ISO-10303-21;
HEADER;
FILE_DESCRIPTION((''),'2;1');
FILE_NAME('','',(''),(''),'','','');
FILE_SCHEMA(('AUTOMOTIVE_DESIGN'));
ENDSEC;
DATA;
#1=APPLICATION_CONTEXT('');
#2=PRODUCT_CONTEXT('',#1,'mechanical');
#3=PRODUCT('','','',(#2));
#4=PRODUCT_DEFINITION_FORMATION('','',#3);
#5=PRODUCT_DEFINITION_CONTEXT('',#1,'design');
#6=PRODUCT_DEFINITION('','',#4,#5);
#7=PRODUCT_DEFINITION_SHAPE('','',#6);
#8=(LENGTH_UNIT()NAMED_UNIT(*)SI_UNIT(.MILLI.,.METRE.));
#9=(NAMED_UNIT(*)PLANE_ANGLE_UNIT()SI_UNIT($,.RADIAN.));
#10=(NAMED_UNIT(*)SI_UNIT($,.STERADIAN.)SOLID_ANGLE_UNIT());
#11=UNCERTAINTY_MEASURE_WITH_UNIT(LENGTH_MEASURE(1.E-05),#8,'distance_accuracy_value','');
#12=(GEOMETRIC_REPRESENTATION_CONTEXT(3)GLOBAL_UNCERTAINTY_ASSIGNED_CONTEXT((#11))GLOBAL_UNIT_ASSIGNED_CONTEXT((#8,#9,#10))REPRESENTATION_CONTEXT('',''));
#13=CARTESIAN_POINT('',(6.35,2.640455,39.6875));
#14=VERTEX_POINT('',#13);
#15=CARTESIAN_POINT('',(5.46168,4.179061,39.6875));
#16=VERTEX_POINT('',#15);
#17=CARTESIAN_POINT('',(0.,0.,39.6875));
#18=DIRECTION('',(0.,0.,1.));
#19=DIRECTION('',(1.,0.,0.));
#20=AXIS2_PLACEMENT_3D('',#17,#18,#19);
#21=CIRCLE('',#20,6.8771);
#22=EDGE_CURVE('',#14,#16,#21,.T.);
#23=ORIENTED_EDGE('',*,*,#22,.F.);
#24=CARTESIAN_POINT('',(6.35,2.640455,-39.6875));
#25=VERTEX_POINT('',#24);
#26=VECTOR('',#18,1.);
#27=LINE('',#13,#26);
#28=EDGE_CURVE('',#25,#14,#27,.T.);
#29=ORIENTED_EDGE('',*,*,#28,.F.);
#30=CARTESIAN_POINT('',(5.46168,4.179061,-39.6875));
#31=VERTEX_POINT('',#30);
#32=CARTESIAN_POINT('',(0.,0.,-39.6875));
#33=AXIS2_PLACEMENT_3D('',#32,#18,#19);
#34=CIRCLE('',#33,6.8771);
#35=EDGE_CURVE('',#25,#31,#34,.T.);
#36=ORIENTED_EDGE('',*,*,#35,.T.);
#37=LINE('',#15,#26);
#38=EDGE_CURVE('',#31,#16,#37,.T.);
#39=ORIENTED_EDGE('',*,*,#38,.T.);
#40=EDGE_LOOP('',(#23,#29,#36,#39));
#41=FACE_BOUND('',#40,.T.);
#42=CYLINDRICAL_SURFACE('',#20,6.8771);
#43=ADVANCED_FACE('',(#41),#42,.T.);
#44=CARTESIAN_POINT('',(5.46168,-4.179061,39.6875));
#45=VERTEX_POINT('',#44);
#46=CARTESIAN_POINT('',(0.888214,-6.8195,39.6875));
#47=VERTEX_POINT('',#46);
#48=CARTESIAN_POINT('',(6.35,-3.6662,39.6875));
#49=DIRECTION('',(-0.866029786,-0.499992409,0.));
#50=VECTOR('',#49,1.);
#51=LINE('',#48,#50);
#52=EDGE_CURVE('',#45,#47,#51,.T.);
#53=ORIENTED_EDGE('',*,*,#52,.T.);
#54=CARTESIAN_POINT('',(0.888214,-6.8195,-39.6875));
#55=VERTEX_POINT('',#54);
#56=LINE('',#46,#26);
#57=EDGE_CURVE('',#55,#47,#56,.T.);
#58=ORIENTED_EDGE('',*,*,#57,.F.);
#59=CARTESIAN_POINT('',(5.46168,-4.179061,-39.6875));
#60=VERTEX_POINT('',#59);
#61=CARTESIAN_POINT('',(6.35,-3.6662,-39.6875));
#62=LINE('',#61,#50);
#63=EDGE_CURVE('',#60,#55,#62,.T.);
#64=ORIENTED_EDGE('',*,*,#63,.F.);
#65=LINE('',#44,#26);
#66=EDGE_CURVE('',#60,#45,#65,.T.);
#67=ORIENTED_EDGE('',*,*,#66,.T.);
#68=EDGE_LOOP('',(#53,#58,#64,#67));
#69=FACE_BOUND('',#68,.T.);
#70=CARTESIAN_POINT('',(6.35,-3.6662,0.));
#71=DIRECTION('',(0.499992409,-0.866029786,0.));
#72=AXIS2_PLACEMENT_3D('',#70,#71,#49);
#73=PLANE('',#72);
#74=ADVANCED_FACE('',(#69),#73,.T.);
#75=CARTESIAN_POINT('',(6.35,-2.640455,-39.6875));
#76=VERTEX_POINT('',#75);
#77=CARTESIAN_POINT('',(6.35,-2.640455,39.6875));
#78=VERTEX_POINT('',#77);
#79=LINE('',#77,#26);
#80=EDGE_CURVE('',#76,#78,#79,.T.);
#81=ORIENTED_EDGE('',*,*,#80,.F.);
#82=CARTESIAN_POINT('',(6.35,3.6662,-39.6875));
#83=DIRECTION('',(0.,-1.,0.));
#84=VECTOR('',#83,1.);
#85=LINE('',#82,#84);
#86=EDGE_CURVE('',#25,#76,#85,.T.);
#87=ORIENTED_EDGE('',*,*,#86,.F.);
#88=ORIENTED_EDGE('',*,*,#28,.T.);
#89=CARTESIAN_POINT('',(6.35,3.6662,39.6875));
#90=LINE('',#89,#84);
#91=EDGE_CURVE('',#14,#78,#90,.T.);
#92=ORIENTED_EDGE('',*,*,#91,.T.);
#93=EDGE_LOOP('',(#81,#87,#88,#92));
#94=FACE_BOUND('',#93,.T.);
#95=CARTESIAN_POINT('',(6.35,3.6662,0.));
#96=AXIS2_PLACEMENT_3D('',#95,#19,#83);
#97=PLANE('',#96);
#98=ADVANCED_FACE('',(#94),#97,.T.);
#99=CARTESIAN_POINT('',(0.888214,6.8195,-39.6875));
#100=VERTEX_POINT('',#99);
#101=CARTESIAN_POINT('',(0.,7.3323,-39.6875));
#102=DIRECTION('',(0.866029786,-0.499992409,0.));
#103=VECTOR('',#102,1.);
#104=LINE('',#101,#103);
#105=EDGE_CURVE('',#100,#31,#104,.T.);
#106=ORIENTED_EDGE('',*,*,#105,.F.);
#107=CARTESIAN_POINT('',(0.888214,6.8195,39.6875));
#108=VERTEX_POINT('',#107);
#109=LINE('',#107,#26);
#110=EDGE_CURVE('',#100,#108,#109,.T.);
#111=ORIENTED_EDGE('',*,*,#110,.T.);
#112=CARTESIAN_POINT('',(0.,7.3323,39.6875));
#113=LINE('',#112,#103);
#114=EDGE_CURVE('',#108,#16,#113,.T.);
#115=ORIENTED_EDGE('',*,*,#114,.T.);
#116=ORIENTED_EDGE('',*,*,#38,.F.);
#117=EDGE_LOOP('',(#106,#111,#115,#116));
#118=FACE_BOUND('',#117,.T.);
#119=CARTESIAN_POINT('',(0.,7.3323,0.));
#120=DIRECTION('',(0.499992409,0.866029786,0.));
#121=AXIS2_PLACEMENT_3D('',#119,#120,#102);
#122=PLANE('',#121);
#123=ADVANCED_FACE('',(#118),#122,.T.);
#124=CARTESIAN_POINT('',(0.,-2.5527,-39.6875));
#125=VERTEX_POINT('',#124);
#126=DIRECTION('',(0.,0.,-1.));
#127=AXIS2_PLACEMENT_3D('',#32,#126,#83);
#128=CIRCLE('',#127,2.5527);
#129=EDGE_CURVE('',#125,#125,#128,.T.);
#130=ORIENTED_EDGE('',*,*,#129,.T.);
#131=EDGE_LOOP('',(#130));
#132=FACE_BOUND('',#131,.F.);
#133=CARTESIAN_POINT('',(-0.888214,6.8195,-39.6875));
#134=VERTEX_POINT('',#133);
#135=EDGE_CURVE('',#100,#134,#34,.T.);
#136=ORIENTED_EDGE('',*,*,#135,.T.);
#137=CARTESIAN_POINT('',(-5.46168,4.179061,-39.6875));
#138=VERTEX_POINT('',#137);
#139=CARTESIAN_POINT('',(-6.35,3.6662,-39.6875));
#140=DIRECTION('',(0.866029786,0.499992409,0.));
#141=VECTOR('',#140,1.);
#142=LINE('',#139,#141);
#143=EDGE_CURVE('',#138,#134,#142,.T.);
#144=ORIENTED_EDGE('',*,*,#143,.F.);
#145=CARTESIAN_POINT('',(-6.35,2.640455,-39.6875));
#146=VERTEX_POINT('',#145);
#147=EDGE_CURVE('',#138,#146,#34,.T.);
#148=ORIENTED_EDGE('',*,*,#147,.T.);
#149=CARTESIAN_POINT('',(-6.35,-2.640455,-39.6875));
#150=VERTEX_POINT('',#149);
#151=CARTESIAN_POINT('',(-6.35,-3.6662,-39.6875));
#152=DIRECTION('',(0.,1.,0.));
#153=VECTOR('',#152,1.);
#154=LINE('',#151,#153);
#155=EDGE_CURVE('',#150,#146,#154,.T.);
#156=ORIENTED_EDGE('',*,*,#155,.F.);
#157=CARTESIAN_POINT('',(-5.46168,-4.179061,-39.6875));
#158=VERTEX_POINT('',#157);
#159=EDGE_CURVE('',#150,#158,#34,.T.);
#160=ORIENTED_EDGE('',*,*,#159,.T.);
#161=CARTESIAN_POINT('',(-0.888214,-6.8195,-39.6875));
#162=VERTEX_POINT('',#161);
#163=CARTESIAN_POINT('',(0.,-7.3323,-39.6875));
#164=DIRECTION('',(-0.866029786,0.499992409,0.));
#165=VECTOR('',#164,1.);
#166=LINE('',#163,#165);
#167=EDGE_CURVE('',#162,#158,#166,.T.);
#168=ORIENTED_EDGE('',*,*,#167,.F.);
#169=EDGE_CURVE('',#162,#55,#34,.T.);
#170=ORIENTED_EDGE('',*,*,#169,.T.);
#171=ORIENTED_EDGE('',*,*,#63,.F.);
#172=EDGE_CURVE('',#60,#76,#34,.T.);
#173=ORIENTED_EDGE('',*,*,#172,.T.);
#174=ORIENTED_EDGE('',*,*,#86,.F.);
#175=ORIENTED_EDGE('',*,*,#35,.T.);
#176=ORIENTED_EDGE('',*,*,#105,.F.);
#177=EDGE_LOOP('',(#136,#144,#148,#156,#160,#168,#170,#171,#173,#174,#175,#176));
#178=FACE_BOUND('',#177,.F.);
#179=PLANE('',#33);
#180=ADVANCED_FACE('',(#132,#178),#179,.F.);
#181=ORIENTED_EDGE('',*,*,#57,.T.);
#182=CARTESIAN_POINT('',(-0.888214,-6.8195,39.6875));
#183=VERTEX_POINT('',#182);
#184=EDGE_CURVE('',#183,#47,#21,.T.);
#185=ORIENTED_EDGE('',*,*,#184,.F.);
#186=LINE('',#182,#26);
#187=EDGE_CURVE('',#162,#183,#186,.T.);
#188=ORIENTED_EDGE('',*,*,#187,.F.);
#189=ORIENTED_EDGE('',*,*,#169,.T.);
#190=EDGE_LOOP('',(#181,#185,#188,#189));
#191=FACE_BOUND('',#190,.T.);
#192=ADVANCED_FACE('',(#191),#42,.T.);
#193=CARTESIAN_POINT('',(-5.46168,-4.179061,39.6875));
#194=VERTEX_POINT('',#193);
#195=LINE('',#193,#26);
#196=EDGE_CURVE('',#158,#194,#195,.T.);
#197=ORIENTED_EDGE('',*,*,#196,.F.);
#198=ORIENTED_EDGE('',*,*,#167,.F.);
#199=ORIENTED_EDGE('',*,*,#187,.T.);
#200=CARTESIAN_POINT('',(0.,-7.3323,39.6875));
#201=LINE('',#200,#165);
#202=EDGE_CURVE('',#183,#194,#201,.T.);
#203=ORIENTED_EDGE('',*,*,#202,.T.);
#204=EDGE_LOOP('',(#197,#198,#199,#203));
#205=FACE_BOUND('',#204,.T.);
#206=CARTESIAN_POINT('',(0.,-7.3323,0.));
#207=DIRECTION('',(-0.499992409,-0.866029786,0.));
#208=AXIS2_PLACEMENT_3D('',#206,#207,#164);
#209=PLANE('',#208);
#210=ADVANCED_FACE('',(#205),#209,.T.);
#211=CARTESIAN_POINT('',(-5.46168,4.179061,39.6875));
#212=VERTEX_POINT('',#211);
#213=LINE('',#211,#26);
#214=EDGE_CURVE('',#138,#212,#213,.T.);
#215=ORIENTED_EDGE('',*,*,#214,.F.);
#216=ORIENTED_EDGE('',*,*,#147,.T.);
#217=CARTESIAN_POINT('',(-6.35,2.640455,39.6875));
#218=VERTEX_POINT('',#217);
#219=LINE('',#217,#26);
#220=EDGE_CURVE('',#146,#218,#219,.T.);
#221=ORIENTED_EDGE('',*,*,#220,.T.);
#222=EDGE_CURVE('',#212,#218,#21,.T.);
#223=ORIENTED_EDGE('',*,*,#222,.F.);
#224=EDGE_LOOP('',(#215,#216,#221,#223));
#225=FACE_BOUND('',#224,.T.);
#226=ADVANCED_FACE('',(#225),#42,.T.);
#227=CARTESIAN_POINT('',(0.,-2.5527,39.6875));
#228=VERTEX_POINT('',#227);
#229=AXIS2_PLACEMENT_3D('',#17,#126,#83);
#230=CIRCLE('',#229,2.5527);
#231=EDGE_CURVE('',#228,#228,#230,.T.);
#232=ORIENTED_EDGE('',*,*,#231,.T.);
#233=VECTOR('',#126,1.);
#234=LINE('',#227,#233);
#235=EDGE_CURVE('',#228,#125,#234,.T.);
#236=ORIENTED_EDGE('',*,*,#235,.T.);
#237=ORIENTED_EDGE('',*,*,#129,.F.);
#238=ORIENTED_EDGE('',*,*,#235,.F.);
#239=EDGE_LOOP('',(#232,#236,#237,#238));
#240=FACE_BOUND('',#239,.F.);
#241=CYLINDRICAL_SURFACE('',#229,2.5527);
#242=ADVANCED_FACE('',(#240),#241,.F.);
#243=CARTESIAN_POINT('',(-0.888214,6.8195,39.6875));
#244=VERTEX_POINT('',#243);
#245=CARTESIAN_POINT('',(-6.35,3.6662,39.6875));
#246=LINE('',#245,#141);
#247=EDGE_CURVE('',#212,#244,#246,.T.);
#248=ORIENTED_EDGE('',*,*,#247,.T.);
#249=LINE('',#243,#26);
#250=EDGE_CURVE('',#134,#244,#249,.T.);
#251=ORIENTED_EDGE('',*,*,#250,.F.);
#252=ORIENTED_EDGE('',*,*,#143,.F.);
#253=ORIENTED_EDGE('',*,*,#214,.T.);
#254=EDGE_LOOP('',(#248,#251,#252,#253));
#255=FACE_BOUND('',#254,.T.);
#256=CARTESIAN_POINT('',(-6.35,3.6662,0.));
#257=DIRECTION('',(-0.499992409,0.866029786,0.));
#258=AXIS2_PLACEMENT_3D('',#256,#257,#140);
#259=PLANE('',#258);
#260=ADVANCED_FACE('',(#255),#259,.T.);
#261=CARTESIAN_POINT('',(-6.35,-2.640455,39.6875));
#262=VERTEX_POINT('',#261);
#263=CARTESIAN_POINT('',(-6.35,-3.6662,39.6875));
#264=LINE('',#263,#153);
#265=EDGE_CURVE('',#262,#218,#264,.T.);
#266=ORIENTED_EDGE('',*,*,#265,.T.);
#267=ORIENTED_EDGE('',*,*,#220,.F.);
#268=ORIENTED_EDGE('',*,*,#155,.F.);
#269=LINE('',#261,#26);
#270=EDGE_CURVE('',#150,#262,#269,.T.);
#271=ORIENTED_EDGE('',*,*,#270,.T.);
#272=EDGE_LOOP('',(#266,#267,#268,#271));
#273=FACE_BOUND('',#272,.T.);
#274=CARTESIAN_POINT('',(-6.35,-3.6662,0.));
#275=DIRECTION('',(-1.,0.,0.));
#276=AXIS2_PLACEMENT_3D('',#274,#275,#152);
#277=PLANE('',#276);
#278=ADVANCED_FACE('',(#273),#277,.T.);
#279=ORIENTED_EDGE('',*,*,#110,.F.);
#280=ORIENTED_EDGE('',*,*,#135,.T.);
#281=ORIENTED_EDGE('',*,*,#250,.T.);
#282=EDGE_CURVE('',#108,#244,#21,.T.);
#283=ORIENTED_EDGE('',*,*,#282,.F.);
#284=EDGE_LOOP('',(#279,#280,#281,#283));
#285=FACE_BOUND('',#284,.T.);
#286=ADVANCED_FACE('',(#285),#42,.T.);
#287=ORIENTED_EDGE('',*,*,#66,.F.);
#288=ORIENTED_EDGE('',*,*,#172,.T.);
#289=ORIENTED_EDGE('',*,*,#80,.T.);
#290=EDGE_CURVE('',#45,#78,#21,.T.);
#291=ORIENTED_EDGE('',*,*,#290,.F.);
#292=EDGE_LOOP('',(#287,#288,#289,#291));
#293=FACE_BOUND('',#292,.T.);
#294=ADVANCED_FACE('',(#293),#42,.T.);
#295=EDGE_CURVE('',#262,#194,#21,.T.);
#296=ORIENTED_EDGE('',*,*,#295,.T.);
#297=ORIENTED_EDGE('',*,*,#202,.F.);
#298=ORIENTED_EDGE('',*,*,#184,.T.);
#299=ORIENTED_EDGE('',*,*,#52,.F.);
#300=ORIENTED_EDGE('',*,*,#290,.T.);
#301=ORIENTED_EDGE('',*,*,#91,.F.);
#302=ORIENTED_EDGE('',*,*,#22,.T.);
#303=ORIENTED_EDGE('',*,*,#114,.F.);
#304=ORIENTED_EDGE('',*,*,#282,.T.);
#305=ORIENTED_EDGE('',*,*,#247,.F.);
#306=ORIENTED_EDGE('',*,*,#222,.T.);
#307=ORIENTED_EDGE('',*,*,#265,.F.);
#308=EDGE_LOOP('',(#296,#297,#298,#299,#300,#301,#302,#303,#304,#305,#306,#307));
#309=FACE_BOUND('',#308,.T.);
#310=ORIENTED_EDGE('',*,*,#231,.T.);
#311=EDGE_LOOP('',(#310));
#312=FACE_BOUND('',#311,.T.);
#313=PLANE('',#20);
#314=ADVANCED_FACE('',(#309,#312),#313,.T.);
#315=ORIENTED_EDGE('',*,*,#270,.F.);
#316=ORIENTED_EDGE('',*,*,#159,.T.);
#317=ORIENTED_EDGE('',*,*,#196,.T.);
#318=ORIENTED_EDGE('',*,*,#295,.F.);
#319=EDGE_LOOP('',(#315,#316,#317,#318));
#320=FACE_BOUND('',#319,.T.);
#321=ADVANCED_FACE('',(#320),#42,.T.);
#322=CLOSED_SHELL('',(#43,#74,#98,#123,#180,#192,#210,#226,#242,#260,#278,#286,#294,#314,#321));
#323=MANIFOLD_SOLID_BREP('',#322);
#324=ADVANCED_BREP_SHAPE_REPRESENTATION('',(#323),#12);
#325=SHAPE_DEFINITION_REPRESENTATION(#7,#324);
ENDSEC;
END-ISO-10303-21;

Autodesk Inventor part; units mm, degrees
ref_plane "YZ Plane" through (0, 0, 0) normal (1, 0, 0) x (0, 1, 0)
ref_plane "XZ Plane" through (0, 0, 0) normal (0, 1, 0) x (-1, 0, 0)
ref_plane "XY Plane" through (0, 0, 0) normal (0, 0, 1) x (1, 0, 0)
sketch "Sketch1" plane through (0, 0, 0) normal (0, 0, 1) x (1, 0, 0)
  line L0 (-6.35, -3.6662) -> (-6.35, 3.6662)
  line L1 (-6.35, 3.6662) -> (0, 7.3323)
  line L2 (0, 7.3323) -> (6.35, 3.6662)
  line L3 (6.35, 3.6662) -> (6.35, -3.6662)
  line L4 (6.35, -3.6662) -> (0, -7.3323)
  line L5 (0, -7.3323) -> (-6.35, -3.6662)
  point P0 (0, 0)
  point P1 (0, 0)
  dimension "Size" = 12.7
extrude "Extrusion1" add sketch "Sketch1" along normal mid plane 79.375
sketch "Sketch3" plane through (0, 0, 39.6875) normal (0, 0, 1) x (1, 0, 0)
  line L0 (-6.35, 3.6662) -> (0, 7.3323) construction
  line L1 (0, 7.3323) -> (6.35, 3.6662) construction
  line L2 (6.35, 3.6662) -> (6.35, -3.6662) construction
  line L3 (6.35, -3.6662) -> (0, -7.3323) construction
  line L4 (0, -7.3323) -> (-6.35, -3.6662) construction
  line L5 (-6.35, -3.6662) -> (-6.35, 3.6662) construction
  point P0 (0, 0)
hole "Hole1" at (0, 0, 39.6875) direction (0, 0, -1) diameter 5.1054 end through all
sketch "Sketch4" plane through (0, 0, 39.6875) normal (0, 0, 1) x (1, 0, 0)
  circle A0 centre (0, 0) radius 2.5527 construction
  line L0 (-6.35, 3.6662) -> (0, 7.3323) construction
  line L1 (0, 7.3323) -> (6.35, 3.6662) construction
  line L2 (6.35, 3.6662) -> (6.35, -3.6662) construction
  line L3 (6.35, -3.6662) -> (0, -7.3323) construction
  line L4 (0, -7.3323) -> (-6.35, -3.6662) construction
  line L5 (-6.35, -3.6662) -> (-6.35, 3.6662) construction
  circle A1 centre (0, 0) radius 6.8771
  circle A2 centre (0, 0) radius 8.89
  dimension "thunder" = 13.7541
  dimension "d16" = 17.78
extrude "Extrusion3" cut sketch "Sketch4" against normal through all
equation "\"bearing\" = 25.4"
properties part number "CL3-011" material "Aluminum 6061"
